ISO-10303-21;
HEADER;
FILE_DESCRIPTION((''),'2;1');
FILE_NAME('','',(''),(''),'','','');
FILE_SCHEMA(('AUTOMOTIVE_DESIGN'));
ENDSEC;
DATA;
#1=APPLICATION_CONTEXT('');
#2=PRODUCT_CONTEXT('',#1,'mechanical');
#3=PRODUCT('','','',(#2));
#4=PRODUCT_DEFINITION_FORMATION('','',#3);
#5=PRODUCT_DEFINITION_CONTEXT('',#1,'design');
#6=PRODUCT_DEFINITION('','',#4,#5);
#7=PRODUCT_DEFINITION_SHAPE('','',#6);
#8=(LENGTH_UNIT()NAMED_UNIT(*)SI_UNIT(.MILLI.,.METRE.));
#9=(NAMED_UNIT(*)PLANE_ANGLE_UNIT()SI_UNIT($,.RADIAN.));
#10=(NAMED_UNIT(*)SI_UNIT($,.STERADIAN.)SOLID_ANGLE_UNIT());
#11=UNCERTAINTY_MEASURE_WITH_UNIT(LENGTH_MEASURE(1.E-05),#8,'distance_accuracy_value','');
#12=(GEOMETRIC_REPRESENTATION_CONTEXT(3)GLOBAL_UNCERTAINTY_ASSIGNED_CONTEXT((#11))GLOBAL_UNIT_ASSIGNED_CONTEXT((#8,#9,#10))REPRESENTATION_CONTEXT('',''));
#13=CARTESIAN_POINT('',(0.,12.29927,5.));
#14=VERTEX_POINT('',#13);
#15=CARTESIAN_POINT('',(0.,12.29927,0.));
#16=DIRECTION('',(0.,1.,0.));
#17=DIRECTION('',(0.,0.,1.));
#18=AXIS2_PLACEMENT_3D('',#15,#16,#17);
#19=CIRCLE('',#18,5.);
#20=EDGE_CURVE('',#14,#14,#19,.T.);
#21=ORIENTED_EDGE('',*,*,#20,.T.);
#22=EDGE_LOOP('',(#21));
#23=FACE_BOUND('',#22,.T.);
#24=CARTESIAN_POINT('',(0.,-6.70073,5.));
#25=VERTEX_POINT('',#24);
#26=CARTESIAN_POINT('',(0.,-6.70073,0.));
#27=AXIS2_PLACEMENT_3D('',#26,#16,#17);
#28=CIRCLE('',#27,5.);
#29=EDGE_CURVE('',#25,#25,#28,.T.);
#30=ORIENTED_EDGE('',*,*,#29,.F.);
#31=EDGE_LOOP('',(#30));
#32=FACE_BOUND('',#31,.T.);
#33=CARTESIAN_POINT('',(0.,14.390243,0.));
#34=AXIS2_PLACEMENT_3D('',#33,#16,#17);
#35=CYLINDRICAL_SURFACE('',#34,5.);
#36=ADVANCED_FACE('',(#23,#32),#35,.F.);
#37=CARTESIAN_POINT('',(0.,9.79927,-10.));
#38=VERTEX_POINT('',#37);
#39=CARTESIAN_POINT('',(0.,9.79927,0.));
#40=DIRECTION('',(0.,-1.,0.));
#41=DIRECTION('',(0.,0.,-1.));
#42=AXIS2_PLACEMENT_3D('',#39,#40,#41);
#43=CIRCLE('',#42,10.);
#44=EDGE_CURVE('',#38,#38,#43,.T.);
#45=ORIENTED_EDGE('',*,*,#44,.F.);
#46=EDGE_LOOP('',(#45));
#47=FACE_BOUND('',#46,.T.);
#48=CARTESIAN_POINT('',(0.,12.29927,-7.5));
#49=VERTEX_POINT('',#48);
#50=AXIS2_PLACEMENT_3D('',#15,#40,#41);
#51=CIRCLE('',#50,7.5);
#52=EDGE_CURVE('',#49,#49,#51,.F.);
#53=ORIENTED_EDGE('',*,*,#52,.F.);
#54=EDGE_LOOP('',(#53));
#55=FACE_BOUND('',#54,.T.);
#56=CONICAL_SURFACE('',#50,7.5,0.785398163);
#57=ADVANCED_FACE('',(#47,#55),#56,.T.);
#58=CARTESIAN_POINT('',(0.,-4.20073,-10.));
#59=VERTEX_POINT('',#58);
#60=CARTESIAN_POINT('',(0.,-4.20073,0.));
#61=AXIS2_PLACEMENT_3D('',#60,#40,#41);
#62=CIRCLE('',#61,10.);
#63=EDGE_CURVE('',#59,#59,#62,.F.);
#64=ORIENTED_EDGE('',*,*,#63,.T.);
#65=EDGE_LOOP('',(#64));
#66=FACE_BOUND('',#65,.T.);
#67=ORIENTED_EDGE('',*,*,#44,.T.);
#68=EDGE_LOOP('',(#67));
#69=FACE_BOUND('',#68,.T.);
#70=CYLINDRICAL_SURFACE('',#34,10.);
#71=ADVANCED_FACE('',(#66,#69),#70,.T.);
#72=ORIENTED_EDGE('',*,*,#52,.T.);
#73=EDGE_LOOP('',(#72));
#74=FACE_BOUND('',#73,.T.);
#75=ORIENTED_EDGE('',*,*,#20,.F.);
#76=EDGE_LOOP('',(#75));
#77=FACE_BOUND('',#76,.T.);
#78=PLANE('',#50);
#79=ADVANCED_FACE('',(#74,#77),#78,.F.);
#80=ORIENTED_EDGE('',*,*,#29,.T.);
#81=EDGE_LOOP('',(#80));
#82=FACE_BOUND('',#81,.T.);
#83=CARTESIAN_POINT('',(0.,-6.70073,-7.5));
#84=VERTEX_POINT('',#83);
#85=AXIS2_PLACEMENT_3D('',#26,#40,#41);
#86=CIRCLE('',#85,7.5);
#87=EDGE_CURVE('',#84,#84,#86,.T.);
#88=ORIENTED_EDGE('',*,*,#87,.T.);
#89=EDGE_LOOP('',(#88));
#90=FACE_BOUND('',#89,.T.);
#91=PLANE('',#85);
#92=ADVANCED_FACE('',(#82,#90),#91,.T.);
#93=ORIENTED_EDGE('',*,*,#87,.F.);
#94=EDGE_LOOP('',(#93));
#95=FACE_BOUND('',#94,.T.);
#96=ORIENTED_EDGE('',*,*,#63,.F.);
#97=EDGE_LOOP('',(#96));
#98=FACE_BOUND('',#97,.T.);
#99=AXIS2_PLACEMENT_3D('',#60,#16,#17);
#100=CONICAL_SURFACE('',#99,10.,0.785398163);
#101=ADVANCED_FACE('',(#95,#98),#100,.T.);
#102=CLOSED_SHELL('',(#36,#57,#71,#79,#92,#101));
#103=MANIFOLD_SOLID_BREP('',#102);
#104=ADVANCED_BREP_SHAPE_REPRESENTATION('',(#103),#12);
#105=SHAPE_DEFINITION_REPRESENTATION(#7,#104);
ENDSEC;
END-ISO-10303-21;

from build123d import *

# Parameters (mm, degrees)
SKETCH1_W     = 5
SKETCH1_H     = 19
CHAMFER1_SIZE = 2.5
CHAMFER2_SIZE = 2.5


with BuildPart() as part:
    # Sketch1 → Revolve1 (revolve)
    with BuildSketch(Plane.XY, mode=Mode.PRIVATE) as revolve1_sk:
        with Locations((-7.5, 2.799270073)):
            Rectangle(SKETCH1_W, SKETCH1_H)
    revolve(revolve1_sk.sketch.rotate(Axis((0, 14.390243325, 0), (0, -1, 0)), 270), axis=Axis((0, 14.390243325, 0), (0, -1, 0)))

    # Chamfer1
    chamfer1_edges = [part.edges().sort_by_distance(p)[0] for p in [
        (0, 12.299270073, -10),
    ]]
    chamfer(chamfer1_edges, length=CHAMFER1_SIZE)

    # Chamfer2
    chamfer2_edges = [part.edges().sort_by_distance(p)[0] for p in [
        (0, -6.700729927, -10),
    ]]
    chamfer(chamfer2_edges, length=CHAMFER2_SIZE)


solid = part.part
